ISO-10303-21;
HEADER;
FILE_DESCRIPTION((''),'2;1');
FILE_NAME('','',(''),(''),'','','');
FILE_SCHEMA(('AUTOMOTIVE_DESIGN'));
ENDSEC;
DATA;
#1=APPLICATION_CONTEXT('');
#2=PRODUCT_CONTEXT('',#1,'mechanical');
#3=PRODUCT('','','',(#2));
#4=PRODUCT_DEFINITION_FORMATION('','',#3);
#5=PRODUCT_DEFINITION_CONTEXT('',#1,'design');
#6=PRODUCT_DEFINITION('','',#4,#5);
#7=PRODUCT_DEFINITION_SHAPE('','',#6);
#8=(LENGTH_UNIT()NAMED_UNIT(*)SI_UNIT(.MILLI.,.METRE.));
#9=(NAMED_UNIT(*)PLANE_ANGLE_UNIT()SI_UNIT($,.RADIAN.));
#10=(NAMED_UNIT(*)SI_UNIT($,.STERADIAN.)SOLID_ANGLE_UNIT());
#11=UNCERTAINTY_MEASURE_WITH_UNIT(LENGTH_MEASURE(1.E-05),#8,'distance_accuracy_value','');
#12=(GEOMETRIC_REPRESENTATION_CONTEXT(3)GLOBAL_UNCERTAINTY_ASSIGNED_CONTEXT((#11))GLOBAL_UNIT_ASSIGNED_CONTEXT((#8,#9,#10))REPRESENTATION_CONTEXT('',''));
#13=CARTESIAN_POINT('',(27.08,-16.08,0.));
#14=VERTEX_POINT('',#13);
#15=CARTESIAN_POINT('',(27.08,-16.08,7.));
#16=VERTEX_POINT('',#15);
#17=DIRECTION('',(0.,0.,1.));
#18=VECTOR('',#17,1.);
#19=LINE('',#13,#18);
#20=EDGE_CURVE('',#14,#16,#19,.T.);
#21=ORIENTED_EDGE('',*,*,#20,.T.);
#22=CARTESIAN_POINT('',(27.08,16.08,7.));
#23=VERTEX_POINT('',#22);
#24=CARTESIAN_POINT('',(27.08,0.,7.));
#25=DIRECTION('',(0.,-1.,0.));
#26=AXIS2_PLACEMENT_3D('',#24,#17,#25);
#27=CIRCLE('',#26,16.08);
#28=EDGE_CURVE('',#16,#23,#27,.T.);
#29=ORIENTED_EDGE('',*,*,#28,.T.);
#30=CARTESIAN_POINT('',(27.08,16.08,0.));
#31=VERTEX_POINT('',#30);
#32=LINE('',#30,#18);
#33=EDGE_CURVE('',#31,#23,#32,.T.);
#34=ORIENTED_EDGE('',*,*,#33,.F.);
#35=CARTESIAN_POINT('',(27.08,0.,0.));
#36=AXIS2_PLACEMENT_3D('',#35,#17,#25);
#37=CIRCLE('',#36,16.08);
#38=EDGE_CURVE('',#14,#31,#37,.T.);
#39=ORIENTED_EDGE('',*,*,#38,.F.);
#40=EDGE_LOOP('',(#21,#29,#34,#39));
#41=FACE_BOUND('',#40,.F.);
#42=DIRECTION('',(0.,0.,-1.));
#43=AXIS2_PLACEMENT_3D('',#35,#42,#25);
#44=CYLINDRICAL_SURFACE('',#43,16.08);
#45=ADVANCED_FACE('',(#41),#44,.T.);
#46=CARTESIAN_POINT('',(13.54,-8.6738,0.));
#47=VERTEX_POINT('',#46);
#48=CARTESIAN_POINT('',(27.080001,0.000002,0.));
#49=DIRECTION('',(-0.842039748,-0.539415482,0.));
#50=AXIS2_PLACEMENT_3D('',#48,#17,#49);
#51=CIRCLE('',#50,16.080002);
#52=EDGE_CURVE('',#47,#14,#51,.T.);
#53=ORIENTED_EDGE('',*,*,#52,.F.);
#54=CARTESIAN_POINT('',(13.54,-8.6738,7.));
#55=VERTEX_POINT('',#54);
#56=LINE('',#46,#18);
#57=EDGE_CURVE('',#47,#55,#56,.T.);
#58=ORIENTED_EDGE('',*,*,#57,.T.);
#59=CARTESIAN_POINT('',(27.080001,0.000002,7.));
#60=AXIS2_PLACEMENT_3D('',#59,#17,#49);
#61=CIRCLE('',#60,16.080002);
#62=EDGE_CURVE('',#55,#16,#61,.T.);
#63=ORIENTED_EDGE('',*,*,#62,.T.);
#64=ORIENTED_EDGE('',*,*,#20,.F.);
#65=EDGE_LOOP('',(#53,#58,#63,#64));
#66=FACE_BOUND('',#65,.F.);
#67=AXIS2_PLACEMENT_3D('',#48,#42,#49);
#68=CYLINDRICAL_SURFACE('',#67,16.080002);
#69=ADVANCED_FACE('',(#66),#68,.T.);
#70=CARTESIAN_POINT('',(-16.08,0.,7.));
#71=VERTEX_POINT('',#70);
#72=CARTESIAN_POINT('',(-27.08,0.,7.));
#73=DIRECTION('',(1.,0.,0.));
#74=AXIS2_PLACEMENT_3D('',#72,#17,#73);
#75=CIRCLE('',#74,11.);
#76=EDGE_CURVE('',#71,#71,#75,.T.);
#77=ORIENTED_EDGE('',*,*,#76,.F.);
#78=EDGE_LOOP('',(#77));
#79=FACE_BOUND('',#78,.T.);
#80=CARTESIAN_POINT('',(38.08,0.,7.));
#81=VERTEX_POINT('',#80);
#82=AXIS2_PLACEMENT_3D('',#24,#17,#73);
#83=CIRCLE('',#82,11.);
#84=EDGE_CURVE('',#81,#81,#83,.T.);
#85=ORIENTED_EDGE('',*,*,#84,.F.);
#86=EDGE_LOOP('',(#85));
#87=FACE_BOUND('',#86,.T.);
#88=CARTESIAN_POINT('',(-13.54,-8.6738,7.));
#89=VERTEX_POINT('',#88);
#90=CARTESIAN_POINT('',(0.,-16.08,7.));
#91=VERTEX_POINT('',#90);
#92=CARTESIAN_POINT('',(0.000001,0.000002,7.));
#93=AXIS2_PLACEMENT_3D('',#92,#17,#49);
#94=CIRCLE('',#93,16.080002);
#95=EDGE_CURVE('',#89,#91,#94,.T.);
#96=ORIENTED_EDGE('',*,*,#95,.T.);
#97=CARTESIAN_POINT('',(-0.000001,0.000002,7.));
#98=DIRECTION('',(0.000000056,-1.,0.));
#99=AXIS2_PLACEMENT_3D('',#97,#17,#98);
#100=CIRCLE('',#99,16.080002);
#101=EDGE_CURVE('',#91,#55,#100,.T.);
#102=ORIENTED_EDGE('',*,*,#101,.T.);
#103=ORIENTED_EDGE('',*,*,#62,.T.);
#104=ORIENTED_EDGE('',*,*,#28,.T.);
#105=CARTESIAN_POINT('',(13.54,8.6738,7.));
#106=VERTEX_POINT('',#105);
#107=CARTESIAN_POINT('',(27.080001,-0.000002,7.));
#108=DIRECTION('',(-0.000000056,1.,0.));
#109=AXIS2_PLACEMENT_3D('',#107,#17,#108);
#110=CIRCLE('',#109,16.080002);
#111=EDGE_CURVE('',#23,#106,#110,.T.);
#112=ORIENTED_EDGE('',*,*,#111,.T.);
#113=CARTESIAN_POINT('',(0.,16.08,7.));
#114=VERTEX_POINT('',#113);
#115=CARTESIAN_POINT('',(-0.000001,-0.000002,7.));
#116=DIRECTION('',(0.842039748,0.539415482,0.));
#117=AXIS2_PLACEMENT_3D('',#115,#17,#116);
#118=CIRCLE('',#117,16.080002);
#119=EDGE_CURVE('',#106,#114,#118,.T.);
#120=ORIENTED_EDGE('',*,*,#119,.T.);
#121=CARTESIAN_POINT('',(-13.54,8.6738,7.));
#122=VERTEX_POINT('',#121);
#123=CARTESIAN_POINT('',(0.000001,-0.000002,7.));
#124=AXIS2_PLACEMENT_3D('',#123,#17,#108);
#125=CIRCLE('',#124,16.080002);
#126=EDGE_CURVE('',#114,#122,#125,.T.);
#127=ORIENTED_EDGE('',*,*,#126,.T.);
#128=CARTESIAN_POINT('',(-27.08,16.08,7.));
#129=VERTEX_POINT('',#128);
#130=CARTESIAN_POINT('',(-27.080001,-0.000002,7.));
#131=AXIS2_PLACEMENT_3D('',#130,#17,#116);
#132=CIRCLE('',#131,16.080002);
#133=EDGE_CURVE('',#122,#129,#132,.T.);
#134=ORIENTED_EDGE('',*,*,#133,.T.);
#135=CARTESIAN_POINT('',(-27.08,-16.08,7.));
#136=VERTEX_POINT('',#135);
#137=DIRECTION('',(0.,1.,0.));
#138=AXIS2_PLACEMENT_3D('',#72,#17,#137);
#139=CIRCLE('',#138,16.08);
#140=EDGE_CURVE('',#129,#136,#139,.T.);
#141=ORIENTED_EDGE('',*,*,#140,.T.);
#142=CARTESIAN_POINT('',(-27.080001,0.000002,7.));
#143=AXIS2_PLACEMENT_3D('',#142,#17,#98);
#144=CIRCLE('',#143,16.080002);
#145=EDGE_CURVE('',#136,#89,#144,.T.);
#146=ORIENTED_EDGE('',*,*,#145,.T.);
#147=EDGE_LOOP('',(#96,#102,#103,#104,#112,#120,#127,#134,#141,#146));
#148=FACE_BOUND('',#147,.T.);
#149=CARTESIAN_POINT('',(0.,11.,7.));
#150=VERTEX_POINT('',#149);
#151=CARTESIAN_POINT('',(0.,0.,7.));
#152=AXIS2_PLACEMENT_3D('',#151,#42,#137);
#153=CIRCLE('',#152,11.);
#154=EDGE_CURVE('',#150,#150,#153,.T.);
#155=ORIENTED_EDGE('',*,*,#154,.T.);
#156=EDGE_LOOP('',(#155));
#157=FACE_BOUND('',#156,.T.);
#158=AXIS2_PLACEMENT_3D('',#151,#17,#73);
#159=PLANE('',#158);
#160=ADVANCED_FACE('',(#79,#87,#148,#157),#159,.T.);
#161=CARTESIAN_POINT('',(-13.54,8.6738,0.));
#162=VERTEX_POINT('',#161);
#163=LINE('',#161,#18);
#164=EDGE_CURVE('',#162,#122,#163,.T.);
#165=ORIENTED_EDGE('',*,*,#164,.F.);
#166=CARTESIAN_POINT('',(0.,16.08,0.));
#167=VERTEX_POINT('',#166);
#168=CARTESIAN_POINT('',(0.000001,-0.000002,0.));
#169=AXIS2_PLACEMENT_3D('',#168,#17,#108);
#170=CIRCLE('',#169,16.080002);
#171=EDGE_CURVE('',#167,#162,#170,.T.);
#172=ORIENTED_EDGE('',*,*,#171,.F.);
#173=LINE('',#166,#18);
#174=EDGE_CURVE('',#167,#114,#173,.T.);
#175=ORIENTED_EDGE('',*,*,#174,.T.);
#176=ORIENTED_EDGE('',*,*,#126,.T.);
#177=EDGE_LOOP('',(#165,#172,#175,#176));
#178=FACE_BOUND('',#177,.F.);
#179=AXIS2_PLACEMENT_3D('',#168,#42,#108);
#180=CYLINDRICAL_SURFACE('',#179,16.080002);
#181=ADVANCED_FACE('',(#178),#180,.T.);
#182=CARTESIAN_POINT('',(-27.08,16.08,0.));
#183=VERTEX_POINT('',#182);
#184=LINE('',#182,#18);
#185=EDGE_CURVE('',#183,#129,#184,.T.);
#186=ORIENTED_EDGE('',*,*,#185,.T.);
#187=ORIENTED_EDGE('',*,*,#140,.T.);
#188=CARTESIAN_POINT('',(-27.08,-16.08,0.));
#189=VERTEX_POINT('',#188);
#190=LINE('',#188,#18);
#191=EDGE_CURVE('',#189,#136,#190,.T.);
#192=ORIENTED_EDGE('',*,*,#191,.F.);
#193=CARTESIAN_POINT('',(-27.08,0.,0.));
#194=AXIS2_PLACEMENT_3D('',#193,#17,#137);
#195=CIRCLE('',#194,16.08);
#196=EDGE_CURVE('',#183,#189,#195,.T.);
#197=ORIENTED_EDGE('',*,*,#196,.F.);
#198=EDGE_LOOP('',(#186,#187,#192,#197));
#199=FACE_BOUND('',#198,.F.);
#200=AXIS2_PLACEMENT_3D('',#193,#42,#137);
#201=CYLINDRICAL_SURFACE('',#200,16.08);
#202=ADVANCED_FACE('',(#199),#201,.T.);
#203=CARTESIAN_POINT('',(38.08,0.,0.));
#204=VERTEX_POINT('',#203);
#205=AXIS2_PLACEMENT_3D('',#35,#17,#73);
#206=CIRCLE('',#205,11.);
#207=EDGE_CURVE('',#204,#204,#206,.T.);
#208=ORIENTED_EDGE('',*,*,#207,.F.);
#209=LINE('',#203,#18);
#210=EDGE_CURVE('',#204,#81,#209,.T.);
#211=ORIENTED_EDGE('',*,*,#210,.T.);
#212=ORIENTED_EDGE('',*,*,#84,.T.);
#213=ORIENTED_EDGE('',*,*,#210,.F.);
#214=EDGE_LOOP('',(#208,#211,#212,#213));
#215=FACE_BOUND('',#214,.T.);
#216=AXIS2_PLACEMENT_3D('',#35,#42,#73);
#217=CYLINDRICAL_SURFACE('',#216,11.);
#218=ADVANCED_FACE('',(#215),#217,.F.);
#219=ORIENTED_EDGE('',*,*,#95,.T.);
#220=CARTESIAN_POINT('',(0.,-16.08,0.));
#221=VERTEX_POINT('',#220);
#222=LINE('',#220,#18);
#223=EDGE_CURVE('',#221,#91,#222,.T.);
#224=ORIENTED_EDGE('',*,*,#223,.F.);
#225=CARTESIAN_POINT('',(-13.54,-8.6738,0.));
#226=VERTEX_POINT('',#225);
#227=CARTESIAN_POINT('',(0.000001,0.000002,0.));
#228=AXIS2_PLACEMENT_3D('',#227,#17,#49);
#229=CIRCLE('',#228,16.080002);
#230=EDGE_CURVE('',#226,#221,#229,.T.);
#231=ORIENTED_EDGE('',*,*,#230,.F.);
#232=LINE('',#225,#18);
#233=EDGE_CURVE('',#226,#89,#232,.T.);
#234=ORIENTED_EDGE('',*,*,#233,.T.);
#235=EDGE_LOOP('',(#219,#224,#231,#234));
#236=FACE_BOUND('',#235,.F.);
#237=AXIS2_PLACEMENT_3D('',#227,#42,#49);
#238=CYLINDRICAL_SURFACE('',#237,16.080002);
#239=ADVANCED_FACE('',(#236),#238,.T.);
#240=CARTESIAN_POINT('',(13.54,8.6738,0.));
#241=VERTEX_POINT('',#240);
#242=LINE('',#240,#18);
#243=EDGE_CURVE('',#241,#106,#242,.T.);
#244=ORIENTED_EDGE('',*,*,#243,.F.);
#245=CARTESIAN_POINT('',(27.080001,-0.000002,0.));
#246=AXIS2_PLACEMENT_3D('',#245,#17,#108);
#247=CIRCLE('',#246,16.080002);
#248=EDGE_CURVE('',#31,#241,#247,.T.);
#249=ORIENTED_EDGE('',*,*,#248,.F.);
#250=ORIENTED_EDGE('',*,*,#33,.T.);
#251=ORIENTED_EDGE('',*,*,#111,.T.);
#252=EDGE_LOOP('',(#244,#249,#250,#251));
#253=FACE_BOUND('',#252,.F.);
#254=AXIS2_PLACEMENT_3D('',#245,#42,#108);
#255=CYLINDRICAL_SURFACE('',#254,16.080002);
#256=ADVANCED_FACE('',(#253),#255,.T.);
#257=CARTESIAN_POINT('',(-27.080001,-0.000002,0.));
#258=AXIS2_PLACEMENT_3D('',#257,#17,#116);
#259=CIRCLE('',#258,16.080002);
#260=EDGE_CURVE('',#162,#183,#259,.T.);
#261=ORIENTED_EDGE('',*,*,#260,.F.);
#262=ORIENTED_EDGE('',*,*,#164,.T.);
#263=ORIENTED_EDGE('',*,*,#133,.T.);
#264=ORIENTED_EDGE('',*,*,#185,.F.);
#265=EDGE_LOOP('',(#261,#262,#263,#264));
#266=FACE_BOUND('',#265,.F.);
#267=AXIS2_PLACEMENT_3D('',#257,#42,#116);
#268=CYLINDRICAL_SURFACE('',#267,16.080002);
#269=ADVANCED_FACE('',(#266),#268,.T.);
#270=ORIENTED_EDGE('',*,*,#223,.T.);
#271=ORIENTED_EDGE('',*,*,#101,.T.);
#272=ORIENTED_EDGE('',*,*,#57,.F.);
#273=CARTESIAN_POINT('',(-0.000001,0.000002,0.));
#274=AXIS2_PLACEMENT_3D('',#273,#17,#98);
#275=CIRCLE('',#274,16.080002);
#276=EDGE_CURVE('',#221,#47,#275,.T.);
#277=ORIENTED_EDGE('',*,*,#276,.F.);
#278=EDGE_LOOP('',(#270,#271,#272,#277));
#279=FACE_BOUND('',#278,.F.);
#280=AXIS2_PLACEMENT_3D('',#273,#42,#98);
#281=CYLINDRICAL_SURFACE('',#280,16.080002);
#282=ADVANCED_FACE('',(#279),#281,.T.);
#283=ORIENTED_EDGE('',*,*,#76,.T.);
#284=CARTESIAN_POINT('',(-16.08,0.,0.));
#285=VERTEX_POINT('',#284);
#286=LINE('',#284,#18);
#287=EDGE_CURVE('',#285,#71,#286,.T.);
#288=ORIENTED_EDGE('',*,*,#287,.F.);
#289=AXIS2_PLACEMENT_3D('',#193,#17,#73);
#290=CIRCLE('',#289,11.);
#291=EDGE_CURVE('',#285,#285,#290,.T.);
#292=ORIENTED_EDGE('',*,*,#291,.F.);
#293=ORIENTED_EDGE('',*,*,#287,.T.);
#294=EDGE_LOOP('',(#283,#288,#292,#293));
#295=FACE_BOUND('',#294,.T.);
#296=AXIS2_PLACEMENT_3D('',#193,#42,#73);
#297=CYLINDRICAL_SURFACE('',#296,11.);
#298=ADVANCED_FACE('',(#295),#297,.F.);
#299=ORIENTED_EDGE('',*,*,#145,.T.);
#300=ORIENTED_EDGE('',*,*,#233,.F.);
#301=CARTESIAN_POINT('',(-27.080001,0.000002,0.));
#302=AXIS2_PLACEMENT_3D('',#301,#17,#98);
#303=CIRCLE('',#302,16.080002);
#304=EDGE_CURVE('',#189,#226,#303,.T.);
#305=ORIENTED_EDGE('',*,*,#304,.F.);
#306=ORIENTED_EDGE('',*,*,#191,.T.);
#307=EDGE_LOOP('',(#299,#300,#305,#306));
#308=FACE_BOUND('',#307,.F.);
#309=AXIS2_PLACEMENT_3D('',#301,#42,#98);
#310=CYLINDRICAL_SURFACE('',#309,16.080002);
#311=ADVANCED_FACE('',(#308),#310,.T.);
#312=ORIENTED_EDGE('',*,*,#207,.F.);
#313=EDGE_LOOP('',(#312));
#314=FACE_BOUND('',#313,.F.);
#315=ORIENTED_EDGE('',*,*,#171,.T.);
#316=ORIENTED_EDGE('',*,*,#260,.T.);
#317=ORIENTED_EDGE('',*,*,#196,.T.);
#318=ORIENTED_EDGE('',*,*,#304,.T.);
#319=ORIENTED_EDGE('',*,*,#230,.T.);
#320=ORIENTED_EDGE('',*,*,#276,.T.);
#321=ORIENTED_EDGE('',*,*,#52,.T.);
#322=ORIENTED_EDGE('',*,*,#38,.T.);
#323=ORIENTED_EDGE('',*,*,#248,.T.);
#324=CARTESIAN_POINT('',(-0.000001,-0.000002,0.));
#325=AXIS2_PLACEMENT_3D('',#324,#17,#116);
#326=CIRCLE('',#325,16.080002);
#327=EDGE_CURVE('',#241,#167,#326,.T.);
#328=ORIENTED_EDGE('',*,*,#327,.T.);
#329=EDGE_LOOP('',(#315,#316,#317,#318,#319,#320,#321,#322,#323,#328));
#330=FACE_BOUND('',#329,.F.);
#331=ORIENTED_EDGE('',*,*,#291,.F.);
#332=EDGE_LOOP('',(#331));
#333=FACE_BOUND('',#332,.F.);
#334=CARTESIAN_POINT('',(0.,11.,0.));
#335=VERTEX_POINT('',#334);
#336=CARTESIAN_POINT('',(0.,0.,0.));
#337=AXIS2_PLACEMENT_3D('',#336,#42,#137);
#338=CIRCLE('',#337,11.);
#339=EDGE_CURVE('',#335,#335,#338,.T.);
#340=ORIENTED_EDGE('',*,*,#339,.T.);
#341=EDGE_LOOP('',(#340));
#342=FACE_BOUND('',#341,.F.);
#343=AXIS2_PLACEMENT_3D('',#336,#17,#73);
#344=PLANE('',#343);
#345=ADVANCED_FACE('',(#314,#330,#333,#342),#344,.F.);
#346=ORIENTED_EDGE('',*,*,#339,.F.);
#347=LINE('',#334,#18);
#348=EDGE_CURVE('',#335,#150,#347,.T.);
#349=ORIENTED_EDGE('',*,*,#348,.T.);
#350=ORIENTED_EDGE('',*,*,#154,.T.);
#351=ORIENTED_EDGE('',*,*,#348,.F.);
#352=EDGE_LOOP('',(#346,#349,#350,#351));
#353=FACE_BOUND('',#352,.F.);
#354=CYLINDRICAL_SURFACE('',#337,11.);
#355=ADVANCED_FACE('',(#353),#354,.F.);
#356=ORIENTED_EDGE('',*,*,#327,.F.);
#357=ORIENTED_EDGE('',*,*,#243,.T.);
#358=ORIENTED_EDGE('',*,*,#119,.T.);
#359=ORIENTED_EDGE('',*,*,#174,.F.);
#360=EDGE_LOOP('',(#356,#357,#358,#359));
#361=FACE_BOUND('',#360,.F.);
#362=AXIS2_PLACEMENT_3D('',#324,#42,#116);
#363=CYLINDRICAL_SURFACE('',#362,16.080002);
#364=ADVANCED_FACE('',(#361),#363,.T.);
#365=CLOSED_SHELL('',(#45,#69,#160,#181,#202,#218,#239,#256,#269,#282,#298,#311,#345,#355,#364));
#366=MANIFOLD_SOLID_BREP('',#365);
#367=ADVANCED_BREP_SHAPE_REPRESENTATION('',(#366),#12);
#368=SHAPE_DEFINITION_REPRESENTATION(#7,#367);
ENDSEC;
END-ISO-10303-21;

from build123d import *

# Parameters (mm, degrees)
F0_R     = 11
F1_DEPTH = 7


with BuildPart() as f1:
    # F0 (on Top) → F1 (new body)
    with BuildSketch(Plane.XY):
        with BuildLine():
            ThreePointArc((-27.08, 16.08), (-43.16, 0), (-27.08, -16.08))
            ThreePointArc((-27.08, -16.08), (-19.363404, -14.107464), (-13.54, -8.6738))
            ThreePointArc((-13.54, -8.6738), (-7.716596, -14.107464), (0, -16.08))
            ThreePointArc((0, -16.08), (7.716596, -14.107464), (13.54, -8.6738))
            ThreePointArc((13.54, -8.6738), (19.363404, -14.107464), (27.08, -16.08))
            ThreePointArc((27.08, -16.08), (43.16, 0), (27.08, 16.08))
            ThreePointArc((27.08, 16.08), (19.363404, 14.107464), (13.54, 8.6738))
            ThreePointArc((13.54, 8.6738), (7.716596, 14.107464), (0, 16.08))
            ThreePointArc((0, 16.08), (-7.716596, 14.107464), (-13.54, 8.6738))
            ThreePointArc((-13.54, 8.6738), (-19.363404, 14.107464), (-27.08, 16.08))
        make_face()
        with Locations((-27.08, 0)):
            Circle(F0_R, mode=Mode.SUBTRACT)
        with BuildLine():
            ThreePointArc((0, -11), (-11, 0), (0, 11))
            ThreePointArc((0, 11), (11, 0), (0, -11))
        make_face(mode=Mode.SUBTRACT)
        with Locations((27.08, 0)):
            Circle(F0_R, mode=Mode.SUBTRACT)
    extrude(amount=F1_DEPTH)


solid = f1.part
